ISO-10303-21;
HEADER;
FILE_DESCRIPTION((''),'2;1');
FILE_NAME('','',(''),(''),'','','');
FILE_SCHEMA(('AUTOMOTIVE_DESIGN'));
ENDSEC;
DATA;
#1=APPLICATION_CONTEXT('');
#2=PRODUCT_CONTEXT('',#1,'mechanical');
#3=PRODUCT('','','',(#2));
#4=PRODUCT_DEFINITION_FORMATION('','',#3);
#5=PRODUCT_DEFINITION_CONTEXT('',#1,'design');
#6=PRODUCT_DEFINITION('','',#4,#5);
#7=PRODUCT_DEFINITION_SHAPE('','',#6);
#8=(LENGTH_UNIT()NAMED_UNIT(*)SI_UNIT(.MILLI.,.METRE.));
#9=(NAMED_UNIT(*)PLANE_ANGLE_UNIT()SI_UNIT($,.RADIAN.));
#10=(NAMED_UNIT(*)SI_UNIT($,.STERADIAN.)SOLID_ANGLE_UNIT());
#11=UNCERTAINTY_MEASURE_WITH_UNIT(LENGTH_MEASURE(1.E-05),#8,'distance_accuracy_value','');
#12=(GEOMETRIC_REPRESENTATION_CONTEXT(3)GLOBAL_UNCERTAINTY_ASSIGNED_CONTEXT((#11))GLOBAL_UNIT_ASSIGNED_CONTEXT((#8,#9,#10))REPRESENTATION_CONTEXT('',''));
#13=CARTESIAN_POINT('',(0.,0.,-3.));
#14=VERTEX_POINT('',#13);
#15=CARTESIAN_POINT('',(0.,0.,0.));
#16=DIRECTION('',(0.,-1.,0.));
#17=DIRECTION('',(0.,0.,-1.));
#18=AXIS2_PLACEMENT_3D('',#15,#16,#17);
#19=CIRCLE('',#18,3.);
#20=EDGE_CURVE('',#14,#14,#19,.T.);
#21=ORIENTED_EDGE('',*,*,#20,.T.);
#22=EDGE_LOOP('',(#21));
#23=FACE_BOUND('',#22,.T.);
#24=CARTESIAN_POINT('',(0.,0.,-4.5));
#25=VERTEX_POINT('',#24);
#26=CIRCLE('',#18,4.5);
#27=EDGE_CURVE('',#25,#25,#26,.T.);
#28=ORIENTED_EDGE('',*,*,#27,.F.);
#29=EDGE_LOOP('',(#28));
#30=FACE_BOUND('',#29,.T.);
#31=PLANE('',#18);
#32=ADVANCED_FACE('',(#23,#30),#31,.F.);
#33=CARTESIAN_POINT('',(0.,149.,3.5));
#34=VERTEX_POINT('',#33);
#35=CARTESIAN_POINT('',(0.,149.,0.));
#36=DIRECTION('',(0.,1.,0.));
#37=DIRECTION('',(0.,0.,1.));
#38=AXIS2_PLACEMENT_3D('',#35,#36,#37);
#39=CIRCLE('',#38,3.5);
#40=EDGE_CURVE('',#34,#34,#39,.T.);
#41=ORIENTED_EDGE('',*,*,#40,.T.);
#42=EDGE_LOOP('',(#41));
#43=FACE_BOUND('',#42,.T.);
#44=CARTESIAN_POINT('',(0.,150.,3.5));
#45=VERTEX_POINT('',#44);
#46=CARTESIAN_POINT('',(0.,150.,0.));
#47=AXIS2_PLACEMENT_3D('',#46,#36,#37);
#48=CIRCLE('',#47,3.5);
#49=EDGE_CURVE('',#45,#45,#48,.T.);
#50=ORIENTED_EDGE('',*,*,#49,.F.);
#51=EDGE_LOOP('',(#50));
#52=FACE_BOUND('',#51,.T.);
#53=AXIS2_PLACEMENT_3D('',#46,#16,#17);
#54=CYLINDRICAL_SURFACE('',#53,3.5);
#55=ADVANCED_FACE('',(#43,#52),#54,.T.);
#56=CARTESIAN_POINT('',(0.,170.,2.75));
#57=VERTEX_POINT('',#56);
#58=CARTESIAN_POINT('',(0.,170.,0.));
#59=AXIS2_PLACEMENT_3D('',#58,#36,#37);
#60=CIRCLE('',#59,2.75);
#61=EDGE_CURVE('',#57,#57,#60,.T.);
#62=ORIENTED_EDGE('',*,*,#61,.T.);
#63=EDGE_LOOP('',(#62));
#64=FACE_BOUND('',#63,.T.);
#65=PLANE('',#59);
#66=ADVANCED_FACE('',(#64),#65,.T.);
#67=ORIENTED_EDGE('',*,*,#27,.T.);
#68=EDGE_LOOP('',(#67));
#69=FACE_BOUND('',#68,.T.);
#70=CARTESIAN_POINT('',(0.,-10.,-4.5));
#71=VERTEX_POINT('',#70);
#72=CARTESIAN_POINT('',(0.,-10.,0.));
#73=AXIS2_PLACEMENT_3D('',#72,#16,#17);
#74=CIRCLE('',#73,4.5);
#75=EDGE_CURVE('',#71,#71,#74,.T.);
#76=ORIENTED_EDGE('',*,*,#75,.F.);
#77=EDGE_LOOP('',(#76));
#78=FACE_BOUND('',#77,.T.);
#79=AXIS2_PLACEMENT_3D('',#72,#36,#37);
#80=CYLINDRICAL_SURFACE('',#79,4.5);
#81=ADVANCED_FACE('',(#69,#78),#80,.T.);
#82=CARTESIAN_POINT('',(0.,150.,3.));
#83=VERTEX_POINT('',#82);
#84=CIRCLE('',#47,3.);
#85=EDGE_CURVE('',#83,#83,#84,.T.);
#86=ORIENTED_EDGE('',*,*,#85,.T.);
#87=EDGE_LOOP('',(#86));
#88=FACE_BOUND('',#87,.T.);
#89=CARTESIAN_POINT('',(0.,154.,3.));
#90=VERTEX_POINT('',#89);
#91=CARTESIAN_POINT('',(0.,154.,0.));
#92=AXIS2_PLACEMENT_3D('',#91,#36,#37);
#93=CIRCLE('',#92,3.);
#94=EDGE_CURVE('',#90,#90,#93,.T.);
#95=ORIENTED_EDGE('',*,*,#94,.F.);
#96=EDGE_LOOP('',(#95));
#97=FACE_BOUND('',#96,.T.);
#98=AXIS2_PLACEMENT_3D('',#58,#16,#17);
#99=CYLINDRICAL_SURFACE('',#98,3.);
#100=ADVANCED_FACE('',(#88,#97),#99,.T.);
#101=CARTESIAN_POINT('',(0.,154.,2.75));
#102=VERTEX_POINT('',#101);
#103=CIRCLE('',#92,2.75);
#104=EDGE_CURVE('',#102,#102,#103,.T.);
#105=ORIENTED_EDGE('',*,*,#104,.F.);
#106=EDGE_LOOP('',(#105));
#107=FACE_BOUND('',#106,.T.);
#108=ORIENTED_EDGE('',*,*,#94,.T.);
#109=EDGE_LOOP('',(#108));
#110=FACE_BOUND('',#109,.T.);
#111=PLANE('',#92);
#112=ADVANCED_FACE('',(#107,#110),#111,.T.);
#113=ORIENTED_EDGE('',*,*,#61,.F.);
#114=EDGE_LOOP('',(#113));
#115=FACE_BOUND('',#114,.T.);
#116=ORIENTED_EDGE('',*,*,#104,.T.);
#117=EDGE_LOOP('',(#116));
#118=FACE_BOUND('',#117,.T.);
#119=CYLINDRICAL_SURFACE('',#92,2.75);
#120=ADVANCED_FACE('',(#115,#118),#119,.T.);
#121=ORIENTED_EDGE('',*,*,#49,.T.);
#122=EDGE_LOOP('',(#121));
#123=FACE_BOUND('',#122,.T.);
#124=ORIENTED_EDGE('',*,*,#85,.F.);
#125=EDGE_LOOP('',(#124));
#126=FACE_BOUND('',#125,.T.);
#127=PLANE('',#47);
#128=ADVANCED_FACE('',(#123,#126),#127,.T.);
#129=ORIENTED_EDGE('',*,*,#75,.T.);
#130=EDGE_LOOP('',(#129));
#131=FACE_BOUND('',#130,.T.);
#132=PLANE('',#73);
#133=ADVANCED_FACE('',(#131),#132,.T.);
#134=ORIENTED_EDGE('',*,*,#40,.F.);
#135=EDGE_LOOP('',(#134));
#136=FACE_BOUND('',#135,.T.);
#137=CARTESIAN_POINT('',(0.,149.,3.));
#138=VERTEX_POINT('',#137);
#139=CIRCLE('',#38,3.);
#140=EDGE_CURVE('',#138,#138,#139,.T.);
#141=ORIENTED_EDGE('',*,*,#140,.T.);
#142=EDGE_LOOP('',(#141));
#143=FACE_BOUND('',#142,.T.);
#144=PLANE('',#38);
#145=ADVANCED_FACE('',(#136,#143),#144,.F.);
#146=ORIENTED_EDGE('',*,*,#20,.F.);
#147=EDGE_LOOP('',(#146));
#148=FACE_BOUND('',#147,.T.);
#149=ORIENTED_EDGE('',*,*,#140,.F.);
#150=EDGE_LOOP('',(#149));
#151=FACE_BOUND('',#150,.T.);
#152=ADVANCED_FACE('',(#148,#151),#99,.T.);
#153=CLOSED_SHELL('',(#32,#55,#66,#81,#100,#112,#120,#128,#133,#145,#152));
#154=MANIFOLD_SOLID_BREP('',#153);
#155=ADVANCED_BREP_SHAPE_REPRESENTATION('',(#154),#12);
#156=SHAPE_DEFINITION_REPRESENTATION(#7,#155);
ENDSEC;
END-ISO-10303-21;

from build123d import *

# Parameters (mm, degrees)
SKETCH2_R           = 3
BOSS_EXTRUDE1_DEPTH = 170
SKETCH3_R           = 4.5
BOSS_EXTRUDE2_DEPTH = 10
SKETCH4_OUTSIDE_W   = 47.09
SKETCH4_OUTSIDE_H   = 47.09
SKETCH4_OUTSIDE_R   = 2.75
CUT_EXTRUDE1_DEPTH  = 16
BOSS_EXTRUDE3_START = -21
SKETCH5_R           = 3.5
BOSS_EXTRUDE3_DEPTH = 1


with BuildPart() as part:
    # Sketch2 → Boss-Extrude1 (new body)
    with BuildSketch(Plane(origin=(0, 0, 0), x_dir=(1, 0, 0), z_dir=(0, 1, 0))):
        with Locations(Location((0, 0, 0), (0, 0, 270))):  # turned: the seam where the file's is
            Circle(SKETCH2_R)
    extrude(amount=BOSS_EXTRUDE1_DEPTH)

    # Sketch3 → Boss-Extrude2 (add)
    with BuildSketch(Plane.XZ):
        with Locations(Location((0, 0, 0), (0, 0, 270))):  # turned: the seam where the file's is
            Circle(SKETCH3_R)
    extrude(amount=BOSS_EXTRUDE2_DEPTH)

    # Sketch4 outside → Cut-Extrude1 (cut)
    with BuildSketch(Plane(origin=(0, 170, 0), x_dir=(1, 0, 0), z_dir=(0, 1, 0))):
        Rectangle(SKETCH4_OUTSIDE_W, SKETCH4_OUTSIDE_H)
        with Locations(Location((0, 0, 0), (0, 0, 270))):  # turned: the seam where the file's is
            Circle(SKETCH4_OUTSIDE_R, mode=Mode.SUBTRACT)
    extrude(amount=-CUT_EXTRUDE1_DEPTH, mode=Mode.SUBTRACT)

    # Sketch5 → Boss-Extrude3 (add)
    with BuildSketch(Plane(origin=(0, 170, 0), x_dir=(1, 0, 0), z_dir=(0, 1, 0)).offset(BOSS_EXTRUDE3_START)):
        with Locations(Location((0, 0, 0), (0, 0, 270))):  # turned: the seam where the file's is
            Circle(SKETCH5_R)
    extrude(amount=BOSS_EXTRUDE3_DEPTH)


solid = part.part
